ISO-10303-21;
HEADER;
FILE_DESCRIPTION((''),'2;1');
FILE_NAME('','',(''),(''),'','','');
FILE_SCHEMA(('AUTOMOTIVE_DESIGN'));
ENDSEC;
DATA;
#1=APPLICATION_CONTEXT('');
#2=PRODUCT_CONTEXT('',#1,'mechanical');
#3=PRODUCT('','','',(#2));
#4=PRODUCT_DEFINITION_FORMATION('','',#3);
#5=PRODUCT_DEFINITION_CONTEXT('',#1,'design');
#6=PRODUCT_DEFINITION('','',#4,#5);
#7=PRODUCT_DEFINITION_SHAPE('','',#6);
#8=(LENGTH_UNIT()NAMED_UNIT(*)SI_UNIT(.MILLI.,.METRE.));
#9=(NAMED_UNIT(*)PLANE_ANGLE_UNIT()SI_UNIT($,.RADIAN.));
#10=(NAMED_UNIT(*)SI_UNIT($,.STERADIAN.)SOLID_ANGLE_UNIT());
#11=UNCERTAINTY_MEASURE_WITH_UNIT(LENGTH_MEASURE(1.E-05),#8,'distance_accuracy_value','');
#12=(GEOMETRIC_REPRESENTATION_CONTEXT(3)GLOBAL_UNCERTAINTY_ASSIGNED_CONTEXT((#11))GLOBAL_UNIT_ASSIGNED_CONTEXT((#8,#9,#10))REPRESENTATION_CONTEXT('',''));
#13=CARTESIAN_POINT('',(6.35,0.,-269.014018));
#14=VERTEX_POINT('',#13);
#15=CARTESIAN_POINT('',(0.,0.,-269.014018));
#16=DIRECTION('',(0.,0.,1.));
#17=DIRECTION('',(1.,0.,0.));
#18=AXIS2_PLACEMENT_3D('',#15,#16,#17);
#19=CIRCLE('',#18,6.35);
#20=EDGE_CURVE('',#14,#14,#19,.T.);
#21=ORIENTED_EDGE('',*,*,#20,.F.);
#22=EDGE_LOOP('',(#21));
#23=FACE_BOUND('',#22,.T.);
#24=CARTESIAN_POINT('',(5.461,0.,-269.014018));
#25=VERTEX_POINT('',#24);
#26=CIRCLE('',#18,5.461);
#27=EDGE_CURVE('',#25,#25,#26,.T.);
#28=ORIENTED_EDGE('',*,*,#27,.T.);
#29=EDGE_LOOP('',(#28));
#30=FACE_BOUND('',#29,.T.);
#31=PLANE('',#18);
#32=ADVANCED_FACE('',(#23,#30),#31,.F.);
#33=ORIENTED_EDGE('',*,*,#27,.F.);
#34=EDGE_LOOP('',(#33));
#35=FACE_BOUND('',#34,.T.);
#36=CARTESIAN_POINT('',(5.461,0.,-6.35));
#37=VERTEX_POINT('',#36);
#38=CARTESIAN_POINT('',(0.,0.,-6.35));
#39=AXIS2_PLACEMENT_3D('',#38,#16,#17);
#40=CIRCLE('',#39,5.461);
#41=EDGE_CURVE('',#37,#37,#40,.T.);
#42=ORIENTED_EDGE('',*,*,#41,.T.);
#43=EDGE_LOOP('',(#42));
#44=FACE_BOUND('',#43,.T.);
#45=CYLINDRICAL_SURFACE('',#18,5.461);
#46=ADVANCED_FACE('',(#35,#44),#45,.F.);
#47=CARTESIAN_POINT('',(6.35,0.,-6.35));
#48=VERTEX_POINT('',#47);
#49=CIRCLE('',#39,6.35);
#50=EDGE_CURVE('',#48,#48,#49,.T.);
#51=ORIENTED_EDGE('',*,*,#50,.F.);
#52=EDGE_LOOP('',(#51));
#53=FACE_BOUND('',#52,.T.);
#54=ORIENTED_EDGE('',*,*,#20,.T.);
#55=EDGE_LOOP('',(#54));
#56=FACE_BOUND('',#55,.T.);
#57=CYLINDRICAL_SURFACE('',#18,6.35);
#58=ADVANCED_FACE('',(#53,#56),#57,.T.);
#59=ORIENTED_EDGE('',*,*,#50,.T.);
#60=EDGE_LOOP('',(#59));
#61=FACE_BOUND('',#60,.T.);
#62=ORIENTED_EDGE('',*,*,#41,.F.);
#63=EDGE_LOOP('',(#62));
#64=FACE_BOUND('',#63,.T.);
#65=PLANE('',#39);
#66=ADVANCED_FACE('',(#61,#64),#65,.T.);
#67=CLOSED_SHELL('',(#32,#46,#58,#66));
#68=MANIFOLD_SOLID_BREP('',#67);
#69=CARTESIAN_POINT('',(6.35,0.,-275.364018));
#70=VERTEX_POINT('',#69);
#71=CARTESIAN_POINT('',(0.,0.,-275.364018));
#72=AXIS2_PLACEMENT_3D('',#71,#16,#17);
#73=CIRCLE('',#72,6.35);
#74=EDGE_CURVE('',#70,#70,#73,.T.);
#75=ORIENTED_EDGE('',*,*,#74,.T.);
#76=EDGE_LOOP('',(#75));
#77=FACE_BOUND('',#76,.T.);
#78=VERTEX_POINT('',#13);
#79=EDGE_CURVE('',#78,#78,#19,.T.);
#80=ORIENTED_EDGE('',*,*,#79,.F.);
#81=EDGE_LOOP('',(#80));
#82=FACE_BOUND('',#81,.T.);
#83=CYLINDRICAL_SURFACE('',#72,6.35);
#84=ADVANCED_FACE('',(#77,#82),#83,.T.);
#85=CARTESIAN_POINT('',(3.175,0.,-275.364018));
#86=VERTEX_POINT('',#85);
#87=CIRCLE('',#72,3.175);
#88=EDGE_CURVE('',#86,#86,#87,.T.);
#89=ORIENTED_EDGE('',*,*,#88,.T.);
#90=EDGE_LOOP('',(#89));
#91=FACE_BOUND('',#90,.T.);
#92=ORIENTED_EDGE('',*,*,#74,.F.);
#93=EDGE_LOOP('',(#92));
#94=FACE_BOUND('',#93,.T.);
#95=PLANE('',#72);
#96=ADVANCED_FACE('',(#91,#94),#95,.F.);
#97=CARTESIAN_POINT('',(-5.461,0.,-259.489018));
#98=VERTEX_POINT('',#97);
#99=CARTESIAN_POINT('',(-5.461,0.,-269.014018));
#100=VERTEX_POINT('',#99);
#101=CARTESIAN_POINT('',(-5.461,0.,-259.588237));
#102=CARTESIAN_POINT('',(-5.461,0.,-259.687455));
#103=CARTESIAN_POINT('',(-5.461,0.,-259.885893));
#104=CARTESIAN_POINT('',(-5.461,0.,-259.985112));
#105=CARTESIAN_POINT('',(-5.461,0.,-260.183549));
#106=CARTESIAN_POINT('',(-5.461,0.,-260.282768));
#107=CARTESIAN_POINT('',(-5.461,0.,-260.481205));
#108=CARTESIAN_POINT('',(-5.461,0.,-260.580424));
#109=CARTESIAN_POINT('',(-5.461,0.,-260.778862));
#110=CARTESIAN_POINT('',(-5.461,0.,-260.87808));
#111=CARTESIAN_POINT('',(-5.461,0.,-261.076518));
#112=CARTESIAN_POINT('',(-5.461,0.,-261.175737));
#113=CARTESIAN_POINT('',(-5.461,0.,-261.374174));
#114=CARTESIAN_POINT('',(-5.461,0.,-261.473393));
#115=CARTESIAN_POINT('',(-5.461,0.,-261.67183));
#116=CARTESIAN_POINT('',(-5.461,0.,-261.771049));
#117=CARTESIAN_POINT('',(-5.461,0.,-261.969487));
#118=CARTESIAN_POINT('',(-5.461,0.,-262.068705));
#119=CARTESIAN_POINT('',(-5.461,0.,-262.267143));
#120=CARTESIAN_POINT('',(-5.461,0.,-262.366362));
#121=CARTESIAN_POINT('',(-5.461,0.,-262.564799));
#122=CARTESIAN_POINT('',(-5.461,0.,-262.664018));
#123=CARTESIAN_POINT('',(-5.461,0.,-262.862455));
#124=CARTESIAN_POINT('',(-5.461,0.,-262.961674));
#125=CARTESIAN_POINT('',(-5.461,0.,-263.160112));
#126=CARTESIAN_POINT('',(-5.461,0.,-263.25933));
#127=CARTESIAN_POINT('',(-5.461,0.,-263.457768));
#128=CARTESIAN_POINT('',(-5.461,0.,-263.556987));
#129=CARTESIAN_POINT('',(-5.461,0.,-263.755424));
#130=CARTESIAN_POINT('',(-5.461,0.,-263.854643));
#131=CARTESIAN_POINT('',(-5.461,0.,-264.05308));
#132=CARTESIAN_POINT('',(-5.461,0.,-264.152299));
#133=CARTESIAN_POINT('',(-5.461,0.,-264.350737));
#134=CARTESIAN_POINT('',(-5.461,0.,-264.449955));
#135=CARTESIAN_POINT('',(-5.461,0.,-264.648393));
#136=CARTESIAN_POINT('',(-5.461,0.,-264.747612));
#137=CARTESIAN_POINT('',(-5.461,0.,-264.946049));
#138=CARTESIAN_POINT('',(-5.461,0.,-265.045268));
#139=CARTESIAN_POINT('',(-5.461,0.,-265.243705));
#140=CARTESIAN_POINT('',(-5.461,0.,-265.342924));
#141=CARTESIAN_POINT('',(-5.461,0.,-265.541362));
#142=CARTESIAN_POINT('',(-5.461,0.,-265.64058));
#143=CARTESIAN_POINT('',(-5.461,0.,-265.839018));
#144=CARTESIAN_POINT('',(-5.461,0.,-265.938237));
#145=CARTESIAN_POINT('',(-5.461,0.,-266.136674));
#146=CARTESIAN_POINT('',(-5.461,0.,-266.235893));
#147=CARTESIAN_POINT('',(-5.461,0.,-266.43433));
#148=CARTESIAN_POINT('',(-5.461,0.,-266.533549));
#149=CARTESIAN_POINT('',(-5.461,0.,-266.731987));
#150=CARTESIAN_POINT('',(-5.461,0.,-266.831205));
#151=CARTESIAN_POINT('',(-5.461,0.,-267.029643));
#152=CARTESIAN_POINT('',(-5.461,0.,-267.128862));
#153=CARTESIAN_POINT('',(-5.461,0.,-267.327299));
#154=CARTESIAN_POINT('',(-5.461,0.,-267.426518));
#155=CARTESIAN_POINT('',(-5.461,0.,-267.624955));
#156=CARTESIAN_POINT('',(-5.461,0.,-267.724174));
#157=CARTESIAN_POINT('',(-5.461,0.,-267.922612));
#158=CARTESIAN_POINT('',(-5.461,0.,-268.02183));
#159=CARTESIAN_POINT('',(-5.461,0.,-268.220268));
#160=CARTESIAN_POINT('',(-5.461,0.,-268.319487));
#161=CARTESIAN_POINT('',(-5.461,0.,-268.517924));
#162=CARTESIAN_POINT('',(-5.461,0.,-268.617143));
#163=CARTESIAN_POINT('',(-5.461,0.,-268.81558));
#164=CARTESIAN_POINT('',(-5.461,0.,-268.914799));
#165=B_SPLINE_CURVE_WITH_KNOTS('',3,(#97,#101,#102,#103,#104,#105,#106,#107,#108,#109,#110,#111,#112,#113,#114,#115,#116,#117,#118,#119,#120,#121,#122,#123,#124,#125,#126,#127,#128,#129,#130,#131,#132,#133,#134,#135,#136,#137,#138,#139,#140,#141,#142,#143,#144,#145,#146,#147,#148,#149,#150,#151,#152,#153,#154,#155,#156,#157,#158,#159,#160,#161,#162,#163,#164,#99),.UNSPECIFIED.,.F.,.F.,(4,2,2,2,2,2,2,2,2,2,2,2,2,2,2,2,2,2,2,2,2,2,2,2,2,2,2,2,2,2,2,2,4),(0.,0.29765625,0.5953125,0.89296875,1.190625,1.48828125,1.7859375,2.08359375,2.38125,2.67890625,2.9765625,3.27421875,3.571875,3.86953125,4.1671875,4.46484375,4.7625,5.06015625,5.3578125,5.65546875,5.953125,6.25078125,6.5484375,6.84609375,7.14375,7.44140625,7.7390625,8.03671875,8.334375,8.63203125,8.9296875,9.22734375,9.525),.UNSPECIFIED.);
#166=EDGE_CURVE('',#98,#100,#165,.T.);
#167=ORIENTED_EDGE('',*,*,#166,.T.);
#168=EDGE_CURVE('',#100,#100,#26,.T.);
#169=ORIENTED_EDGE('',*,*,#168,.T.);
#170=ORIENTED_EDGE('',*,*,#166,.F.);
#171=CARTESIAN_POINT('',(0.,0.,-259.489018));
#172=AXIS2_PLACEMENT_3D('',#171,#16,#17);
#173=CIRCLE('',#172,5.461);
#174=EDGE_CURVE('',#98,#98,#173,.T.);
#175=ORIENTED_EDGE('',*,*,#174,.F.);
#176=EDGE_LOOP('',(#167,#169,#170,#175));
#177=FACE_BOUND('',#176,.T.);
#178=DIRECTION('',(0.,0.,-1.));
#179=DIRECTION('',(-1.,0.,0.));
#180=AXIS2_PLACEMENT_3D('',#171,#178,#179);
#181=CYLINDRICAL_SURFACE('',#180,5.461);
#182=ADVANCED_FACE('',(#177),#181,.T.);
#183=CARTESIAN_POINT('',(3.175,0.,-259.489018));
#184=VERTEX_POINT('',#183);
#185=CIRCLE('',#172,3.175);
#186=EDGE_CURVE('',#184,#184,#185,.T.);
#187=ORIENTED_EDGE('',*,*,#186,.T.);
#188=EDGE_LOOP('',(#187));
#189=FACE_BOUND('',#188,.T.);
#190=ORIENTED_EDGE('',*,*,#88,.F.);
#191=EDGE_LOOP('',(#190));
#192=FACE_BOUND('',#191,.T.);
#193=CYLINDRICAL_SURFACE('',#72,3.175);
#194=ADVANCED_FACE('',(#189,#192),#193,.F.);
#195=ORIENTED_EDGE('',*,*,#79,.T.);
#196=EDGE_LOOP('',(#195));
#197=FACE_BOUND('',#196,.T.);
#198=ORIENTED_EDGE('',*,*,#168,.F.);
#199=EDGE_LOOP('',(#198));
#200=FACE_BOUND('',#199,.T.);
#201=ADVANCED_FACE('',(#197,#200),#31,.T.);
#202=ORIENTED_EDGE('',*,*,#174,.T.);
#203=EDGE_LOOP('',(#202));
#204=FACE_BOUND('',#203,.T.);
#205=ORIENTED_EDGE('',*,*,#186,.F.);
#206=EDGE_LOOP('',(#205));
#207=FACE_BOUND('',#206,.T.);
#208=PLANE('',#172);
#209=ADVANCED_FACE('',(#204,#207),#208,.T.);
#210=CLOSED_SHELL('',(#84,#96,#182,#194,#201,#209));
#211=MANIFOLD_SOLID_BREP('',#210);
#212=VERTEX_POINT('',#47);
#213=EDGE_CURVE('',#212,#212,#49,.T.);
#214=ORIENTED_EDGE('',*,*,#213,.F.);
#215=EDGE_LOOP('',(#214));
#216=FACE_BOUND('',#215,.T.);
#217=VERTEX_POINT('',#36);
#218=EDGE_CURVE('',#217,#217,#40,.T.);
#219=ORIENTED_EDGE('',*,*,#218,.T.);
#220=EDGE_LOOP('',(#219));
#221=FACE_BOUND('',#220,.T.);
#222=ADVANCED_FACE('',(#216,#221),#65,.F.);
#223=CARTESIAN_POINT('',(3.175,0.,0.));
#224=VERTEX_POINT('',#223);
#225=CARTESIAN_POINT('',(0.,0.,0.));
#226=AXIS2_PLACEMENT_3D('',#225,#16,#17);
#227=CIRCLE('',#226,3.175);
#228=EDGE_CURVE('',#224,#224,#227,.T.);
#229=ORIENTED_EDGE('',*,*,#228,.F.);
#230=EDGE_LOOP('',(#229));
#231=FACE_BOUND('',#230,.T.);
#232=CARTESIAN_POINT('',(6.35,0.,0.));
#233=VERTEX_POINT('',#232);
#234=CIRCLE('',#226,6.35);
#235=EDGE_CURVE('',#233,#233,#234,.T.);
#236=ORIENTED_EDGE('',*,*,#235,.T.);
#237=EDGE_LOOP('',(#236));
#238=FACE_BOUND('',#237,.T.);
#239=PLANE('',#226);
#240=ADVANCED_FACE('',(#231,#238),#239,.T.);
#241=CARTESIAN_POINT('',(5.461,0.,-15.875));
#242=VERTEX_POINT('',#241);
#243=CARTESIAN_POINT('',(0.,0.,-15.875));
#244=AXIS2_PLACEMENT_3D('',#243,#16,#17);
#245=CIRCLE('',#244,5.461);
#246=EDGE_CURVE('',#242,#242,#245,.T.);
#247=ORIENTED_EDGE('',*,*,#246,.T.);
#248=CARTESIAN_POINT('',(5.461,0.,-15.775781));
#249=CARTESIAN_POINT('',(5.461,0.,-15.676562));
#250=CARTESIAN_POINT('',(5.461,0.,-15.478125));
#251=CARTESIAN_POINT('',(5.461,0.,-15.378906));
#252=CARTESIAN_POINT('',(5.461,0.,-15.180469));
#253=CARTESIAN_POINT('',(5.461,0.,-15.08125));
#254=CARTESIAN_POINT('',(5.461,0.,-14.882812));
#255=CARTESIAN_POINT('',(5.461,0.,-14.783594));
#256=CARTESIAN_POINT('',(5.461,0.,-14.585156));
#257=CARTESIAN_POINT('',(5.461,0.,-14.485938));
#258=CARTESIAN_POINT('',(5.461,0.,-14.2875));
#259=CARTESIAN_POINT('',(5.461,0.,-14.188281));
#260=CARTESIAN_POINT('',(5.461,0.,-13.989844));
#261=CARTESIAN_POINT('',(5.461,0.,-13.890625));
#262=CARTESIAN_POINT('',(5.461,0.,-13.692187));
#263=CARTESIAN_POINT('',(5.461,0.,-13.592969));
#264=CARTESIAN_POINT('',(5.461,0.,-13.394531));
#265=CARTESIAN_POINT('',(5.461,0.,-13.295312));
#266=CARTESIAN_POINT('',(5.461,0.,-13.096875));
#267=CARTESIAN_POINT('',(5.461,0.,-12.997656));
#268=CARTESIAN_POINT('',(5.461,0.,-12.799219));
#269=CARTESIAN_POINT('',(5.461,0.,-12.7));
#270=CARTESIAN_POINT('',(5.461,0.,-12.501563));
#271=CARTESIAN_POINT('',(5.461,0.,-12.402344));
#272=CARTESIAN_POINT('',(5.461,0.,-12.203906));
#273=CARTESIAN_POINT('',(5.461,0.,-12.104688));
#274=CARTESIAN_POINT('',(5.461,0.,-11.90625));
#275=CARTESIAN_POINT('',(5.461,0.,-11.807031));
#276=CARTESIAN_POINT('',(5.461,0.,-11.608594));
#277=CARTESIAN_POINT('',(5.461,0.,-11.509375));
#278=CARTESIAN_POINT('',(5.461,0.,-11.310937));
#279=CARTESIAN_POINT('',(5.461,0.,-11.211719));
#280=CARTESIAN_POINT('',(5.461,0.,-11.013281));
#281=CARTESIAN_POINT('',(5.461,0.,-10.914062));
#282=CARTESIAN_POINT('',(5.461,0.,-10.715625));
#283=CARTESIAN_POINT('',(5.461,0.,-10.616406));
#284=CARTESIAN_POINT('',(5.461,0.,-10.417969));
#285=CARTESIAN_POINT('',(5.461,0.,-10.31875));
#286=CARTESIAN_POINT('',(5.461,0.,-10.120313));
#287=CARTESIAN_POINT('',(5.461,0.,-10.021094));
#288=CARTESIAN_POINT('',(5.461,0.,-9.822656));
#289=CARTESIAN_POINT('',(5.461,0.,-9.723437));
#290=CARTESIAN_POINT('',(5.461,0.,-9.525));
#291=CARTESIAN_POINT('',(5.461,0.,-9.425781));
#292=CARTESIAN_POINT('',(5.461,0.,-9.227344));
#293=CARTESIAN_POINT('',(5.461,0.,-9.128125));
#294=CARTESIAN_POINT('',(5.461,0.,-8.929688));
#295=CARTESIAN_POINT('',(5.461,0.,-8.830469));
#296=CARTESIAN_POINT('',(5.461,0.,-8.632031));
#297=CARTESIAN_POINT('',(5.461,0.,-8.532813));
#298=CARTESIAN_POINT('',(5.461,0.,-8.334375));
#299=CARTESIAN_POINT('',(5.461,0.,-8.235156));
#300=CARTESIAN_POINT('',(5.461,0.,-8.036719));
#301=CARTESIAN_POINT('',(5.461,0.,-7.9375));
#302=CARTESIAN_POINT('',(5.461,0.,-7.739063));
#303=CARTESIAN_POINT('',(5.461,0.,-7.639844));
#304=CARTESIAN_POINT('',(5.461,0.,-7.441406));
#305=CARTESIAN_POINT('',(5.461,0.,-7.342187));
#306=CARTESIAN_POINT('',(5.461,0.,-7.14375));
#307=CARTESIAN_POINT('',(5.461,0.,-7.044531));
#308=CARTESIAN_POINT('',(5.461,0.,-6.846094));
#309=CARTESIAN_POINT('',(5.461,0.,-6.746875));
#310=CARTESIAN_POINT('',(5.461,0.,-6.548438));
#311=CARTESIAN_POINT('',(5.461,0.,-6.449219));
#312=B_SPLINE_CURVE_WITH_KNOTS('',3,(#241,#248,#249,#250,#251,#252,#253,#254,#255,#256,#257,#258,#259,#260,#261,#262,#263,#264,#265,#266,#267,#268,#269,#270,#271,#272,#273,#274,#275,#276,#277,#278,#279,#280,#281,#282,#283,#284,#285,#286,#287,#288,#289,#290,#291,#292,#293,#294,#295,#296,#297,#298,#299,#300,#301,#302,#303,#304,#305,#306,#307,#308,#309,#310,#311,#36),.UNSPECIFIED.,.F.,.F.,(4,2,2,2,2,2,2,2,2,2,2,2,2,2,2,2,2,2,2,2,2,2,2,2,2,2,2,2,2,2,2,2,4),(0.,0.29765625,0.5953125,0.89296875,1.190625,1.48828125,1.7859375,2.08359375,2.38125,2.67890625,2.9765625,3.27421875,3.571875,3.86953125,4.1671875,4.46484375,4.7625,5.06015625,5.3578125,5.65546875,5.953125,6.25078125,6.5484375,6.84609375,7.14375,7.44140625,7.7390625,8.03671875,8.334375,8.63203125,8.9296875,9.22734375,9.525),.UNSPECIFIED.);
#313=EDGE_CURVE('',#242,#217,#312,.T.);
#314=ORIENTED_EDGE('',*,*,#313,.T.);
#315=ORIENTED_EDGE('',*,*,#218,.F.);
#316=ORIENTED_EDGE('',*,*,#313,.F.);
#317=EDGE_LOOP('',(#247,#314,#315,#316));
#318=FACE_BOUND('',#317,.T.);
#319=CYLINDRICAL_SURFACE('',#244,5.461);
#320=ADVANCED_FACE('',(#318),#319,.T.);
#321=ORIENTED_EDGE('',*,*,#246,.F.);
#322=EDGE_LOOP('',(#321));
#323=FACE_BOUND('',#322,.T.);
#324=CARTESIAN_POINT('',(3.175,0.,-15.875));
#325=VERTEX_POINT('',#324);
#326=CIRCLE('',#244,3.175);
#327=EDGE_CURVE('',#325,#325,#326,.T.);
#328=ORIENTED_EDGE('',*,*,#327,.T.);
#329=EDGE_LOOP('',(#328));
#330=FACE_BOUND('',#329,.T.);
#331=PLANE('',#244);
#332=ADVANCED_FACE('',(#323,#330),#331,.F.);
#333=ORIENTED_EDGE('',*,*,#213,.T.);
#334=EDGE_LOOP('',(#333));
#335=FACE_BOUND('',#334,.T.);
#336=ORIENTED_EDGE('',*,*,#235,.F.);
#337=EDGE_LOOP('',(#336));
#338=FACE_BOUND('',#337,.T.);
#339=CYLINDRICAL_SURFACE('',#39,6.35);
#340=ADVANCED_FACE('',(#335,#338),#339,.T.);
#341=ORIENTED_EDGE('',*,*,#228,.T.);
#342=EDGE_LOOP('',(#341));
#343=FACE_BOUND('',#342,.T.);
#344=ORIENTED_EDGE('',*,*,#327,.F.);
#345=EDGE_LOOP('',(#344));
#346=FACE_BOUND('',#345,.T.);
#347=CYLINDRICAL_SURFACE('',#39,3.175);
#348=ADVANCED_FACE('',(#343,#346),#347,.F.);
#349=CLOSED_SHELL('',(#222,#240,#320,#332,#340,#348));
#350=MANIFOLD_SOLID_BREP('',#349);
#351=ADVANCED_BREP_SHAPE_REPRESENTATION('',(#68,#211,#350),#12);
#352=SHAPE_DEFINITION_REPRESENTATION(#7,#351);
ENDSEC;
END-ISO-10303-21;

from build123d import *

# Parameters (mm, degrees)
SKETCH1_R                 = 6.35
SKETCH1_R_2               = 5.461
SKETCH1_R_3               = 3.175
THREADED_INSERT_1_1_DEPTH = 6.35
THREADED_START            = -6.35
SKETCH1_3_R               = 5.461
SKETCH1_3_R_2             = 3.175
THREADED_INSERT_1_2_DEPTH = 9.525
TUBE_START                = -6.35
SKETCH1_4_R               = 6.35
SKETCH1_4_R_2             = 5.461
TUBE_EXTRUDE_DEPTH        = 262.664018
THREADED_START_2          = -269.014018
SKETCH1_6_R               = 5.461
SKETCH1_6_R_2             = 3.175
THREADED_INSERT_2_1_DEPTH = 9.525
SKETCH1_9_R               = 6.35
SKETCH1_9_R_2             = 5.461
SKETCH1_9_R_3             = 3.175
THREADED_INSERT_2_2_DEPTH = 6.35


with BuildPart() as part:
    # Sketch1 → Threaded insert 1-1 (new body)
    # profile 1 of 2: a face of its own
    with BuildSketch(Plane.XY):
        Circle(SKETCH1_R)
        Circle(SKETCH1_R_2, mode=Mode.SUBTRACT)
    # profile 2 of 2: a face of its own
    with BuildSketch(Plane.XY):
        Circle(SKETCH1_R_2)
        Circle(SKETCH1_R_3, mode=Mode.SUBTRACT)
    extrude(amount=-THREADED_INSERT_1_1_DEPTH)

    # Sketch1<3> → Threaded insert 1-2 (add)
    with BuildSketch(Plane.XY.offset(THREADED_START)):
        Circle(SKETCH1_3_R)
        Circle(SKETCH1_3_R_2, mode=Mode.SUBTRACT)
    extrude(amount=-THREADED_INSERT_1_2_DEPTH)


with BuildPart() as body_2:
    # Sketch1<4> → Tube extrude (new body)
    with BuildSketch(Plane.XY.offset(TUBE_START)):
        Circle(SKETCH1_4_R)
        Circle(SKETCH1_4_R_2, mode=Mode.SUBTRACT)
    extrude(amount=-TUBE_EXTRUDE_DEPTH)


with BuildPart() as body_3:
    # Sketch1<6> → Threaded insert 2-1 (new body)
    with BuildSketch(Plane.XY.offset(THREADED_START_2)):
        Circle(SKETCH1_6_R)
        Circle(SKETCH1_6_R_2, mode=Mode.SUBTRACT)
    extrude(amount=THREADED_INSERT_2_1_DEPTH)


with BuildPart() as body_4:
    # Sketch1<9> → Threaded insert 2-2 (new body)
    # profile 1 of 2: a face of its own
    with BuildSketch(Plane.XY.offset(THREADED_START_2)):
        Circle(SKETCH1_9_R)
        Circle(SKETCH1_9_R_2, mode=Mode.SUBTRACT)
    # profile 2 of 2: a face of its own
    with BuildSketch(Plane.XY.offset(THREADED_START_2)):
        Circle(SKETCH1_9_R_2)
        Circle(SKETCH1_9_R_3, mode=Mode.SUBTRACT)
    extrude(amount=-THREADED_INSERT_2_2_DEPTH)

    # Combine1: union body 3
    add(body_3.part)


solid = Compound([part.part, body_2.part, body_4.part])
